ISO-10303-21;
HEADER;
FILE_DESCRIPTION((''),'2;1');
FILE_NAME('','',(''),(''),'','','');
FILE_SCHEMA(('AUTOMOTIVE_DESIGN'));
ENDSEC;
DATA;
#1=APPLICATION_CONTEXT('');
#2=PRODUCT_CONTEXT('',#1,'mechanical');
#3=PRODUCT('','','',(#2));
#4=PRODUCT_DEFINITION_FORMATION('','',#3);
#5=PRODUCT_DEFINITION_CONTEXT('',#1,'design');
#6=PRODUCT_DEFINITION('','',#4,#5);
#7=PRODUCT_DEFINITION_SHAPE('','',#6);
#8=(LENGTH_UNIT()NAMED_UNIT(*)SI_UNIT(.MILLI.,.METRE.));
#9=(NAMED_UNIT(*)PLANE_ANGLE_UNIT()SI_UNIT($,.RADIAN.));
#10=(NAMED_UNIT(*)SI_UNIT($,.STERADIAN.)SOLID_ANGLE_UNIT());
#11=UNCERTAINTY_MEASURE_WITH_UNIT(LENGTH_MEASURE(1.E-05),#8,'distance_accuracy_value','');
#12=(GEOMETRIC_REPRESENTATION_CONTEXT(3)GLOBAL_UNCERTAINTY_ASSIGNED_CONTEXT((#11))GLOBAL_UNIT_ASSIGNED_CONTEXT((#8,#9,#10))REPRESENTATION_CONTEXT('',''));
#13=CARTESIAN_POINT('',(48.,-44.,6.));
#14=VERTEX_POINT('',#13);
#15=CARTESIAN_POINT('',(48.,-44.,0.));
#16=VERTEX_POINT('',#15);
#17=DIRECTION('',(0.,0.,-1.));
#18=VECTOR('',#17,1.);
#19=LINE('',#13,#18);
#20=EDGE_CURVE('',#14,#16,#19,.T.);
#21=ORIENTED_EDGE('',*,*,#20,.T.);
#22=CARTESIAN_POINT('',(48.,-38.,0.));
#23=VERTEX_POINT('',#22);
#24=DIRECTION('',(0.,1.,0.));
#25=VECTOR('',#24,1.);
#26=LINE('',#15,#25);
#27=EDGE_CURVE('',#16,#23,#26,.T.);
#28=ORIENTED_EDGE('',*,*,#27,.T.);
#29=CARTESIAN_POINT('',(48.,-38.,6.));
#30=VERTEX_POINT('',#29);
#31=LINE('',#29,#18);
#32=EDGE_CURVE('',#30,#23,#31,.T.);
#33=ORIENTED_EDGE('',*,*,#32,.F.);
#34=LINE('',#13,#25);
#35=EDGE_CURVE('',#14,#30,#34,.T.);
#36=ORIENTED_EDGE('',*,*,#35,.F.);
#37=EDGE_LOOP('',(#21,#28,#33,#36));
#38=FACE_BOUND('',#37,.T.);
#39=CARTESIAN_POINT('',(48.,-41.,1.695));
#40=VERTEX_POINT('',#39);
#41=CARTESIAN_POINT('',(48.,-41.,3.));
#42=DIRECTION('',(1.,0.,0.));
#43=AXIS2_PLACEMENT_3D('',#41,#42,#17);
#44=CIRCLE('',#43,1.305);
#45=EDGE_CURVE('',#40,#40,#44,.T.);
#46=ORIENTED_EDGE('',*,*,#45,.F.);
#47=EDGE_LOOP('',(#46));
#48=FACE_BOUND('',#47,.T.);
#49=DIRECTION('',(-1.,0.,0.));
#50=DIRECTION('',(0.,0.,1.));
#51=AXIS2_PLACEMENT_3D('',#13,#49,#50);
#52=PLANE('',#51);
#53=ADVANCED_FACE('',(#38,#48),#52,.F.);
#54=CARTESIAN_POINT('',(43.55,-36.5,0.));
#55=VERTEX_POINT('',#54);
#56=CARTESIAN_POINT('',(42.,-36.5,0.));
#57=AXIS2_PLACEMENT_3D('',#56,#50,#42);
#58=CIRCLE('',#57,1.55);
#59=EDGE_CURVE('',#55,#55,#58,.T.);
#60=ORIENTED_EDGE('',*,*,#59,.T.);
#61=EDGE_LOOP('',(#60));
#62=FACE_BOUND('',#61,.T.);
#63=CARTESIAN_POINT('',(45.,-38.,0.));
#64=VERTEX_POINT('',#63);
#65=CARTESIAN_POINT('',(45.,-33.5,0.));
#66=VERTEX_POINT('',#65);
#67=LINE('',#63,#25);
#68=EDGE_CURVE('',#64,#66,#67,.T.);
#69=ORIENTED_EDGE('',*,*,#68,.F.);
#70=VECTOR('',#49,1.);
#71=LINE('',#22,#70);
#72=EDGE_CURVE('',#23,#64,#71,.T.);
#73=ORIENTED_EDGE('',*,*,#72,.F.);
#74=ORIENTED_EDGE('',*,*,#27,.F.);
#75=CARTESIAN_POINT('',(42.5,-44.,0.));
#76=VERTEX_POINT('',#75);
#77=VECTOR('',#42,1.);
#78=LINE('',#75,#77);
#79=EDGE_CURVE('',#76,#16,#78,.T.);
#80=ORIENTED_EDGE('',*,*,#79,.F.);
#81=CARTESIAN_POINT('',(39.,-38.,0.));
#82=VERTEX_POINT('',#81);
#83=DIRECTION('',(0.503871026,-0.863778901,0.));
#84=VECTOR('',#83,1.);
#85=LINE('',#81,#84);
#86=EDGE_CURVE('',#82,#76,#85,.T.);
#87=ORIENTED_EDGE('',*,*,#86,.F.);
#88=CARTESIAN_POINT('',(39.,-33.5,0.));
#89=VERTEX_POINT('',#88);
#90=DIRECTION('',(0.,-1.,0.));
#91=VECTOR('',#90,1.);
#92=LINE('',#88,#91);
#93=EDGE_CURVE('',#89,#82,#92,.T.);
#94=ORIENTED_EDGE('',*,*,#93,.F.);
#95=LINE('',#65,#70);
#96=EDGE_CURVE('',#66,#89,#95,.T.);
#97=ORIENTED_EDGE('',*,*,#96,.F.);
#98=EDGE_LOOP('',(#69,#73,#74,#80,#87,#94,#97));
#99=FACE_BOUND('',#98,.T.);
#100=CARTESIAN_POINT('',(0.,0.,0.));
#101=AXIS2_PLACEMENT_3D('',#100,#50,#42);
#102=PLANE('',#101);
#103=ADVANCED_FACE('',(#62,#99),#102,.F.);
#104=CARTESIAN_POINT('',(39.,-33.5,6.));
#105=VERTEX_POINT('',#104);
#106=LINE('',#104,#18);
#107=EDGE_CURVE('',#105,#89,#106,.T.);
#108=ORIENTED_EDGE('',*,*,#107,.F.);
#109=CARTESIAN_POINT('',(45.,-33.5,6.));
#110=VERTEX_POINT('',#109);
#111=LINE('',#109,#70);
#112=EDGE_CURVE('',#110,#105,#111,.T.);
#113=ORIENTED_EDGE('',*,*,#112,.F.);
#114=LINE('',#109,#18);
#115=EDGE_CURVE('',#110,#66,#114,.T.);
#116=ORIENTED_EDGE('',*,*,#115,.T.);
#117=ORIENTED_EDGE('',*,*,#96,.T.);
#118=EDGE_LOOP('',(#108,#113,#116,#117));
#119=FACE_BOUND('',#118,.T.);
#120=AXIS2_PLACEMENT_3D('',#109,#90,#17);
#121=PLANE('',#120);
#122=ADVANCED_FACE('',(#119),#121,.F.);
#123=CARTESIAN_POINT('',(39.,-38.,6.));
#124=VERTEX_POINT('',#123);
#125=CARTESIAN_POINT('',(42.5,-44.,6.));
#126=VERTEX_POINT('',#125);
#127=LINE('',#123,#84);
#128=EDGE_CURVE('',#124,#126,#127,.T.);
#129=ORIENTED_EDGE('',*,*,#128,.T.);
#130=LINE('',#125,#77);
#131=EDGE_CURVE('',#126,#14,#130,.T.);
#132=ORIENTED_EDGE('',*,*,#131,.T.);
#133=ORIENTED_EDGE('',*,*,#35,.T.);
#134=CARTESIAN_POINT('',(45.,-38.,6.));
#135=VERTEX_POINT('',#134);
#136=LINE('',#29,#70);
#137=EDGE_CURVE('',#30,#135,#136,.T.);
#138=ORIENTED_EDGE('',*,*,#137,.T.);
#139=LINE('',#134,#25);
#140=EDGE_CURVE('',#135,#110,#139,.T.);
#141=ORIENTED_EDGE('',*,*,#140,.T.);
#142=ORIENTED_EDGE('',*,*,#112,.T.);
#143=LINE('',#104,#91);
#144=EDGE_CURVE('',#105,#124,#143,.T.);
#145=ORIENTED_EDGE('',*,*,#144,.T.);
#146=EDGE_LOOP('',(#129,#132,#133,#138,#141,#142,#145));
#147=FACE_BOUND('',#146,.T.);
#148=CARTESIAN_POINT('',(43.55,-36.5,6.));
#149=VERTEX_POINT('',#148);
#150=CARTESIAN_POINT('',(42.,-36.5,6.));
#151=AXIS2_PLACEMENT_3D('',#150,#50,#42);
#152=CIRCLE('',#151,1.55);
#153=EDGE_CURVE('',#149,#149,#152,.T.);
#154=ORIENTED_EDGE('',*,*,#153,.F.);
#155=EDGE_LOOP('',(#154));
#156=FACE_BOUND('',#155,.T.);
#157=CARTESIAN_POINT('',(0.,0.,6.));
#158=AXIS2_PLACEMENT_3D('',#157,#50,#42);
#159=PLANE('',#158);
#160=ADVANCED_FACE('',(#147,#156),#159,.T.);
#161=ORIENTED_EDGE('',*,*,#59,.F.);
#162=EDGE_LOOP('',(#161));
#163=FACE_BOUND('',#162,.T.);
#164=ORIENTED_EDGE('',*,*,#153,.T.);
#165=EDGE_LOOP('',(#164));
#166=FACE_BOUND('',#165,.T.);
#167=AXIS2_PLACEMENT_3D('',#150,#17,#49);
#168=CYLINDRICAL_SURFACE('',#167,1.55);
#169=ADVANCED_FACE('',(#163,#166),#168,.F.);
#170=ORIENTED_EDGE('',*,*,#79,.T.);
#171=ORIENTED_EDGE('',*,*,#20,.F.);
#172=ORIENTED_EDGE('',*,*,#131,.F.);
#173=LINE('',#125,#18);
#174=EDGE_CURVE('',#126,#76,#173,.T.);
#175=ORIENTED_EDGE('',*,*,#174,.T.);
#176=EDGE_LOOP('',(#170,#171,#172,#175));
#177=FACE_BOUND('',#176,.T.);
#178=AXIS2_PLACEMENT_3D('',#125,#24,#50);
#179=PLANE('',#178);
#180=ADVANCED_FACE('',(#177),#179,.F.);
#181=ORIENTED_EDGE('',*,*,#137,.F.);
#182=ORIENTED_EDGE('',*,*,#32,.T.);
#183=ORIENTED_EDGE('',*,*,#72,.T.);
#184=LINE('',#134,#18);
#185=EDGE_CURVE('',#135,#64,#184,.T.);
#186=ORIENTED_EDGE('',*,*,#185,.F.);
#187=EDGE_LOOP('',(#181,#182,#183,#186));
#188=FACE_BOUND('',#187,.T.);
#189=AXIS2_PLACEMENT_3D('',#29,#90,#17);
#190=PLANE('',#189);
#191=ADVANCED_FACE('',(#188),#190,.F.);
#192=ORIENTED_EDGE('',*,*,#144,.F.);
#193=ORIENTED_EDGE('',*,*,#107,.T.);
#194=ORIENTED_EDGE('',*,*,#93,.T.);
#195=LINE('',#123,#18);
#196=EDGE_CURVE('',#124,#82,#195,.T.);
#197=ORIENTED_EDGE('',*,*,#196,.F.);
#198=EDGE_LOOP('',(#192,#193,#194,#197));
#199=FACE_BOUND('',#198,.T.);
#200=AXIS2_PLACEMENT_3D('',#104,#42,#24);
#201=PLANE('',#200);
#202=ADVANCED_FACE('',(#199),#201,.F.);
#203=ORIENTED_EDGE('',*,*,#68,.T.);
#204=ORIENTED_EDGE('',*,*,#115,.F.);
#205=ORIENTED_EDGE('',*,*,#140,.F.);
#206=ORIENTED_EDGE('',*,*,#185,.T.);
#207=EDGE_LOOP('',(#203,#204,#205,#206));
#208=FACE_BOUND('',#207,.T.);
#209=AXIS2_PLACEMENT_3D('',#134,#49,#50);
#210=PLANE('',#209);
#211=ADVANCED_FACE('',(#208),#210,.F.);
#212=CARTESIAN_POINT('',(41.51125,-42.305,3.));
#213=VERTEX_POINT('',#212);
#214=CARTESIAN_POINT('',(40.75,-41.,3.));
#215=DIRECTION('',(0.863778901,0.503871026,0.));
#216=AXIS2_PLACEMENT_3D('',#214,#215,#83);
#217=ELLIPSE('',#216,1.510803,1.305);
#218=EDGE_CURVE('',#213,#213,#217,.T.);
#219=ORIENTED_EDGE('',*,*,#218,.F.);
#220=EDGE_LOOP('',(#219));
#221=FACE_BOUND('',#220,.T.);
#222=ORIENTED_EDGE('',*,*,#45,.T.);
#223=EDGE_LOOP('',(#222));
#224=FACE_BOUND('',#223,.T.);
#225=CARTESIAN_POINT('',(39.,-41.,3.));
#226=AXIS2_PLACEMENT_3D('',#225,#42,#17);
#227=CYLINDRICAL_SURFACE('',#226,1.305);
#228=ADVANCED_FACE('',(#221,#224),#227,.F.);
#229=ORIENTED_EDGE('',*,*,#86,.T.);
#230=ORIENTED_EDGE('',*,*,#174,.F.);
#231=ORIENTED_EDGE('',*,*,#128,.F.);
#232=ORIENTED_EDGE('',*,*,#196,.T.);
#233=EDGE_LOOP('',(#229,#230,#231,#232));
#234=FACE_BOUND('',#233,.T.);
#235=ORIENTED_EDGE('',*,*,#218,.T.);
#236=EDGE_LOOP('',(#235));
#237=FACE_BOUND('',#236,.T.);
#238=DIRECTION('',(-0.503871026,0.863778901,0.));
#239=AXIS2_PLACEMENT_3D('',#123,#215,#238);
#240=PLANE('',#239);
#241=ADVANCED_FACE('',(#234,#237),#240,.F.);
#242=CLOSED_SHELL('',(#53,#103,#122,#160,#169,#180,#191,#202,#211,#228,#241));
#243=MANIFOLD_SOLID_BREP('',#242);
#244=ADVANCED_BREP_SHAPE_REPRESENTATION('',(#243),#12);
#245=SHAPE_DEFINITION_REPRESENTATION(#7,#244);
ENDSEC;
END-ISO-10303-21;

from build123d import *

# Parameters (mm, degrees)
SKETCH1_R           = 1.55
BOSS_EXTRUDE1_DEPTH = 6
SKETCH3_R           = 1.305
CUT_EXTRUDE3_DEPTH  = 10


with BuildPart() as part:
    # Sketch1 → Boss-Extrude1 (new body)
    with BuildSketch(Plane.XY):
        Polygon((48, -38), (45, -38), (45, -33.5), (39, -33.5), (39, -38), (42.5, -44), (48, -44), align=None)
        with Locations((42, -36.5)):
            Circle(SKETCH1_R, mode=Mode.SUBTRACT)
    extrude(amount=BOSS_EXTRUDE1_DEPTH)

    # Sketch3 → Cut-Extrude3 (cut, through all)
    with BuildSketch(Plane(origin=(48, 0, 0), x_dir=(0, 0, -1), z_dir=(1, 0, 0))):
        with Locations((-3, -41)):
            Circle(SKETCH3_R)
    extrude(amount=-CUT_EXTRUDE3_DEPTH, mode=Mode.SUBTRACT)


solid = part.part
